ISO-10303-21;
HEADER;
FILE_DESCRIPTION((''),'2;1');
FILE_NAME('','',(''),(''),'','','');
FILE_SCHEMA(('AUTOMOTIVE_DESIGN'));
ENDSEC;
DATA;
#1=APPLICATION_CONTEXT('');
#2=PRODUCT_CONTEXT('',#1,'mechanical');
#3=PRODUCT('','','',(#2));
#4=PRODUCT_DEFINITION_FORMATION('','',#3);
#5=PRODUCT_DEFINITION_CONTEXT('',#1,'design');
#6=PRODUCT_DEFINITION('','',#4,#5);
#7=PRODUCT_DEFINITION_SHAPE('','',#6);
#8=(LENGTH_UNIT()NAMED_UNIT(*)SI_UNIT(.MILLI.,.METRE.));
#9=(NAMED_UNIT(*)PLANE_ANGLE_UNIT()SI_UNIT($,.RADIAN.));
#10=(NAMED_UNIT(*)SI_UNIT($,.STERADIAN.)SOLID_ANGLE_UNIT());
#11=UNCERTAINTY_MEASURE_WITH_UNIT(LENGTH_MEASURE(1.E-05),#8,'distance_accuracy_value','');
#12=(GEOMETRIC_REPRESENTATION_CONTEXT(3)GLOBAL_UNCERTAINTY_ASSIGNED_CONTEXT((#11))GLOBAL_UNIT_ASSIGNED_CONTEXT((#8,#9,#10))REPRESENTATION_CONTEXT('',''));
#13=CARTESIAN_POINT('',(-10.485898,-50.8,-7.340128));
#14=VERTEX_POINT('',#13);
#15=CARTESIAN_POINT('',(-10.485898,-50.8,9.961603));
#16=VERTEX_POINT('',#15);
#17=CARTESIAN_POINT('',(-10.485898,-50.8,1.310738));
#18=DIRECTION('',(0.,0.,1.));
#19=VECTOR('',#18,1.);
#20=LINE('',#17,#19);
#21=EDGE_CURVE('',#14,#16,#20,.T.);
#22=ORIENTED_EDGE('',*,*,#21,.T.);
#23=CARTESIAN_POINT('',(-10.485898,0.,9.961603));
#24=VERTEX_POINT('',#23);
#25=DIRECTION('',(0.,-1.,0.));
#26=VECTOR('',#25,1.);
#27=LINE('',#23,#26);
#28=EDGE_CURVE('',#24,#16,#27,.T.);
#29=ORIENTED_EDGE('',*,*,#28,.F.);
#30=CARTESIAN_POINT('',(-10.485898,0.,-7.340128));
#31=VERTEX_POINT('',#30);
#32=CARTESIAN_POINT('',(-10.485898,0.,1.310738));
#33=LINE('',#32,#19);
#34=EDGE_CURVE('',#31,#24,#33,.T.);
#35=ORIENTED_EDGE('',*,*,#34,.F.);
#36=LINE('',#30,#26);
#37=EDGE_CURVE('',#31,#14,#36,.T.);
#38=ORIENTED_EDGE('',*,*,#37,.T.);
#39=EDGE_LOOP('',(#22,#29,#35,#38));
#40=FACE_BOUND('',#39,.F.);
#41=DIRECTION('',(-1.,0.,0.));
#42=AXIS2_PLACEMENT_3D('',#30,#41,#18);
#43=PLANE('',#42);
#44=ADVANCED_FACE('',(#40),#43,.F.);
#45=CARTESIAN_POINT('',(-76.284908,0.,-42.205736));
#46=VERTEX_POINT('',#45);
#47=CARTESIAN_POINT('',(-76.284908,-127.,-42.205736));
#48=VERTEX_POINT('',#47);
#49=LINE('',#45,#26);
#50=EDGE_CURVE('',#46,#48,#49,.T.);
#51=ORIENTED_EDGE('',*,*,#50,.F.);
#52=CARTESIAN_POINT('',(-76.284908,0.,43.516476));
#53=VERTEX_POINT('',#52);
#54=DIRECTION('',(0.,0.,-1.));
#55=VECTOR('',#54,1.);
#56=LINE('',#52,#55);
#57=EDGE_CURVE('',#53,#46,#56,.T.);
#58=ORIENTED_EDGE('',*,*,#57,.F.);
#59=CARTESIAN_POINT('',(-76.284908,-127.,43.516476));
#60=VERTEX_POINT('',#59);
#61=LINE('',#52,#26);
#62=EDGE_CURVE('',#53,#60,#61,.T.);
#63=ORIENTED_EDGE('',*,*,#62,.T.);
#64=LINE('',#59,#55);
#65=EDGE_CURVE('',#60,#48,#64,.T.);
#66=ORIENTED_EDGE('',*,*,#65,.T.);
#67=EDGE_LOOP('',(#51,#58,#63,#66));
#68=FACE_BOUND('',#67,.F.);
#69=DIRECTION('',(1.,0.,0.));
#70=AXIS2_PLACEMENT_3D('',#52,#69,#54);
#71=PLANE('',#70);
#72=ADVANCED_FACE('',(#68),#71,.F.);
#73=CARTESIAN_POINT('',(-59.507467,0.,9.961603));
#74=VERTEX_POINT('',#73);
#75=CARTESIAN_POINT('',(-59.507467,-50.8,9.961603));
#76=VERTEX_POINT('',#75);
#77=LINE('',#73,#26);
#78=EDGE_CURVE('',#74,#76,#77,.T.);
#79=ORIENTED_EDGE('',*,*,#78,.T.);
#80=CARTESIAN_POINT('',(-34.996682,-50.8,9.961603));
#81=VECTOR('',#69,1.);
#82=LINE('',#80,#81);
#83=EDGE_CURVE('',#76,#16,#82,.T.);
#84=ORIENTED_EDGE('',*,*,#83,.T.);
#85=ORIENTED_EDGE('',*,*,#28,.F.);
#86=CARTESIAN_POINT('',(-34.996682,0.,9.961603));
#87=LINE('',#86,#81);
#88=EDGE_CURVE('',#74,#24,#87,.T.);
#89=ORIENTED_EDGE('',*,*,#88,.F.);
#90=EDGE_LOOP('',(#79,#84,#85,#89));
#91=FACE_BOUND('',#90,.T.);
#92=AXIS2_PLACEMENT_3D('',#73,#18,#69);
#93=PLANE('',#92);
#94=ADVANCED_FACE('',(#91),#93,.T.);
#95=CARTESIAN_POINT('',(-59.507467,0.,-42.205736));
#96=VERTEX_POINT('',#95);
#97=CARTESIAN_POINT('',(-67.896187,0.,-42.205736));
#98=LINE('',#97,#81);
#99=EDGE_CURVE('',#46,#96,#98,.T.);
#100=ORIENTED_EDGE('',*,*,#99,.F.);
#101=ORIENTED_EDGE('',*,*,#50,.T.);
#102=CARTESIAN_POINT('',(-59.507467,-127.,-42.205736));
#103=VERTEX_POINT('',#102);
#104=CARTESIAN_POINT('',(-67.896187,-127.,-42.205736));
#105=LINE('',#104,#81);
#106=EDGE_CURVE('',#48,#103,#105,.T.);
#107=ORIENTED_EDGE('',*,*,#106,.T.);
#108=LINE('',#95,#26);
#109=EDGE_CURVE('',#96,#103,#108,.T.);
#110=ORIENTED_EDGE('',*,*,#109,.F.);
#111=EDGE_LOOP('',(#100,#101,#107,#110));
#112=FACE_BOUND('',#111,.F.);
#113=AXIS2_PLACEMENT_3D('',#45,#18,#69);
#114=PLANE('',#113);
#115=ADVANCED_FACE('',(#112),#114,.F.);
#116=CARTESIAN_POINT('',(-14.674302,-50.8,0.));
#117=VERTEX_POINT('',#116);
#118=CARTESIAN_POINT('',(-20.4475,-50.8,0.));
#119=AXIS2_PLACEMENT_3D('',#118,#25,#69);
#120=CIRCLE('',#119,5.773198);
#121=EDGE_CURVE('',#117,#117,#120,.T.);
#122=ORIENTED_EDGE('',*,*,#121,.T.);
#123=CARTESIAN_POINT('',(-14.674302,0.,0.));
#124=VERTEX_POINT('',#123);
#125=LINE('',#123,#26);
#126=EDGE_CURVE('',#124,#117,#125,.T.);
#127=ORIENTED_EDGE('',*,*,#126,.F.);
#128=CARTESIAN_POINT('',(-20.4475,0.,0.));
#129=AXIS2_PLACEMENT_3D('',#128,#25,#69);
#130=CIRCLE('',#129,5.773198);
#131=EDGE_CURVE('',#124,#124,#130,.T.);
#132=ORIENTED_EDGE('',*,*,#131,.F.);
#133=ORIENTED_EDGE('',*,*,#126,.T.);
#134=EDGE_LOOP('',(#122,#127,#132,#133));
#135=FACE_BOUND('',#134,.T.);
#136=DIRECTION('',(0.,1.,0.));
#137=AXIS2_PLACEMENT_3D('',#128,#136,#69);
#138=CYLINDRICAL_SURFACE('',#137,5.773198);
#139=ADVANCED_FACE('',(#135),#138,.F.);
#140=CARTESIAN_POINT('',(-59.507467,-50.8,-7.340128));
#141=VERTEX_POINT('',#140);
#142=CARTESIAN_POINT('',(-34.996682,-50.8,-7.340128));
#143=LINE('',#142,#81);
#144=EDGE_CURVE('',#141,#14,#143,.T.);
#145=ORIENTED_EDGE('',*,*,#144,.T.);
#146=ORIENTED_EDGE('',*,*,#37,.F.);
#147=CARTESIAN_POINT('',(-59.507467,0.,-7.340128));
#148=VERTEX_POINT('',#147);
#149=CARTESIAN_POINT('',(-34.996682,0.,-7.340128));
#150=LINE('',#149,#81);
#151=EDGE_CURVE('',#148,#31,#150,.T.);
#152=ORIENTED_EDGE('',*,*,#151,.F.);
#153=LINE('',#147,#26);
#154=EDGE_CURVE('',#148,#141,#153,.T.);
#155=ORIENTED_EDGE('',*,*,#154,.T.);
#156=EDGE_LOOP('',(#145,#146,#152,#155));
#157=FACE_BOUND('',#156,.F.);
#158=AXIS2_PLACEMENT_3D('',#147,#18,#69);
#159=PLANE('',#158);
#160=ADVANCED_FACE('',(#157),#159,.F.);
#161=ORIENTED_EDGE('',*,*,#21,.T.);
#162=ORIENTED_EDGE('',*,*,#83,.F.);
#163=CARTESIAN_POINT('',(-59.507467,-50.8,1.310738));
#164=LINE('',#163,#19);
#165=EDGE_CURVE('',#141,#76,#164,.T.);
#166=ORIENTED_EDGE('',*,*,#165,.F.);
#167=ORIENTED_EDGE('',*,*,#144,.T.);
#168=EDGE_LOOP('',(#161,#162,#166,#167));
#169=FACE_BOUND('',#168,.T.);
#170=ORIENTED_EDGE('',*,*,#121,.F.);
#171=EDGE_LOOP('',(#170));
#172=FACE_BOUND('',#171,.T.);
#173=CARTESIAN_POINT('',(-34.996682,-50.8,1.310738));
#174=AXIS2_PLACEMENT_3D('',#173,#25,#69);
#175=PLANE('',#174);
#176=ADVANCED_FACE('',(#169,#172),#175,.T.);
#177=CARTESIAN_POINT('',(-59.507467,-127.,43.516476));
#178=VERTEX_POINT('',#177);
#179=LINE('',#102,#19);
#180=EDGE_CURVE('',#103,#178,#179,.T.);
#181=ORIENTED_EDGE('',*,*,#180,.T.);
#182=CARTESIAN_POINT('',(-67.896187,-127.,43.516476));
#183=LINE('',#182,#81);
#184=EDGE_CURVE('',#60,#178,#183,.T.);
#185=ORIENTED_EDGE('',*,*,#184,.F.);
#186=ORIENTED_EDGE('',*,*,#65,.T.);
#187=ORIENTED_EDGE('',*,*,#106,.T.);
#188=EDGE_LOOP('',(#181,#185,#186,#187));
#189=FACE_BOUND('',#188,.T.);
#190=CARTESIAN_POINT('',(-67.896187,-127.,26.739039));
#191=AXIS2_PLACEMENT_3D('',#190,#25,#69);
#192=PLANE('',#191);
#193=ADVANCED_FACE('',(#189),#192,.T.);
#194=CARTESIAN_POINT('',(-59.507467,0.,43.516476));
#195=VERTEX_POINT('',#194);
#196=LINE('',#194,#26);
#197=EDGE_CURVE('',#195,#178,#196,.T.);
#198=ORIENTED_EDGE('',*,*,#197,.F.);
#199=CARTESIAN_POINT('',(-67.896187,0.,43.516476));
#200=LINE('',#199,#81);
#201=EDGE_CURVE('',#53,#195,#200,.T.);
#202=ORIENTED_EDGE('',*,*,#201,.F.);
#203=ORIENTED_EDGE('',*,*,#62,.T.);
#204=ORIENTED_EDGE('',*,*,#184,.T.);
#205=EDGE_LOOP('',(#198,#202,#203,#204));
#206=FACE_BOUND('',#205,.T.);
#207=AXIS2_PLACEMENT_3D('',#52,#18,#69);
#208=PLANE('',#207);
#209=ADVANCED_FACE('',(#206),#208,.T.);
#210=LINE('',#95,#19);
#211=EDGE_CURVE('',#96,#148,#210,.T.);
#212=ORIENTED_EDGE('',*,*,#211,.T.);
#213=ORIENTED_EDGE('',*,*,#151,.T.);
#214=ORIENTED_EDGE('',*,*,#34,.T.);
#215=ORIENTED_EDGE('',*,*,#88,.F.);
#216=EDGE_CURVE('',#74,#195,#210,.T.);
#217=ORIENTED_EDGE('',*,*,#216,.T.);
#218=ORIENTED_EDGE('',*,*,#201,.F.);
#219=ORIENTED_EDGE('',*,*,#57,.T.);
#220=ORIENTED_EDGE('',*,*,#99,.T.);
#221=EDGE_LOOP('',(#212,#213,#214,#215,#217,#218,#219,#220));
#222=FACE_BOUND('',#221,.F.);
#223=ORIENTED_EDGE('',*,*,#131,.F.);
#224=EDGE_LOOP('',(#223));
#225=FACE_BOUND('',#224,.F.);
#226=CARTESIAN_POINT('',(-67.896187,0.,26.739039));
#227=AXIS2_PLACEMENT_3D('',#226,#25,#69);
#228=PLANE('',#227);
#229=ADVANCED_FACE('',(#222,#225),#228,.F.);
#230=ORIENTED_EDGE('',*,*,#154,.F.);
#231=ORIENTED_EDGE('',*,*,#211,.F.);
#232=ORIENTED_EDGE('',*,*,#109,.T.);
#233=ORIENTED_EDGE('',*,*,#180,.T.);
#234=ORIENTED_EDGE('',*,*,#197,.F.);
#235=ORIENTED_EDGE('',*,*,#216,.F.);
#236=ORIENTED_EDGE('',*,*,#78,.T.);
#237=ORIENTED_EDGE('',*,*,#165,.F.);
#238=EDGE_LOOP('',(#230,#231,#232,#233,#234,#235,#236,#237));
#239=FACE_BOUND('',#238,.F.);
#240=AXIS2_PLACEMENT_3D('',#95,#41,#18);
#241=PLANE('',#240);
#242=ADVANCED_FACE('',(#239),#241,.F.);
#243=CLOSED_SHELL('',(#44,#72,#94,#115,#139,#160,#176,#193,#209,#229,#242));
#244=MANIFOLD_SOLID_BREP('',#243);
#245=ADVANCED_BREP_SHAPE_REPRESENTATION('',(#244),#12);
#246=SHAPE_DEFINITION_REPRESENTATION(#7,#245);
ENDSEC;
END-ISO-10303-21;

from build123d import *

# Parameters (mm, degrees)
F0_W     = 16.7774409056
F0_H     = 33.5548724979
F0_H_2   = 17.3017312773
F0_H_3   = 34.8656079732
F1_DEPTH = 127
F0_W_2   = 49.0215690807
F0_R     = 5.7731978052
F2_DEPTH = 50.8


with BuildPart() as f1:
    # F0 (on Front) → F1 (new body)
    with BuildSketch(Plane.XZ):
        with Locations((-67.8961873055, 26.7390394583)):
            Rectangle(F0_W, F0_H)
        with Locations((-67.8961873055, 1.3107375707)):
            Rectangle(F0_W, F0_H_2)
        with Locations((-67.8961873055, -24.7729320545)):
            Rectangle(F0_W, F0_H_3)
    extrude(amount=F1_DEPTH)

    # F0 (on Front) → F2 (join)
    with BuildSketch(Plane.XZ):
        with Locations((-34.9966823123, 1.3107375707)):
            Rectangle(F0_W_2, F0_H_2)
        with Locations((-20.4475000501, 0)):
            Circle(F0_R, mode=Mode.SUBTRACT)
    extrude(amount=F2_DEPTH)


solid = f1.part
